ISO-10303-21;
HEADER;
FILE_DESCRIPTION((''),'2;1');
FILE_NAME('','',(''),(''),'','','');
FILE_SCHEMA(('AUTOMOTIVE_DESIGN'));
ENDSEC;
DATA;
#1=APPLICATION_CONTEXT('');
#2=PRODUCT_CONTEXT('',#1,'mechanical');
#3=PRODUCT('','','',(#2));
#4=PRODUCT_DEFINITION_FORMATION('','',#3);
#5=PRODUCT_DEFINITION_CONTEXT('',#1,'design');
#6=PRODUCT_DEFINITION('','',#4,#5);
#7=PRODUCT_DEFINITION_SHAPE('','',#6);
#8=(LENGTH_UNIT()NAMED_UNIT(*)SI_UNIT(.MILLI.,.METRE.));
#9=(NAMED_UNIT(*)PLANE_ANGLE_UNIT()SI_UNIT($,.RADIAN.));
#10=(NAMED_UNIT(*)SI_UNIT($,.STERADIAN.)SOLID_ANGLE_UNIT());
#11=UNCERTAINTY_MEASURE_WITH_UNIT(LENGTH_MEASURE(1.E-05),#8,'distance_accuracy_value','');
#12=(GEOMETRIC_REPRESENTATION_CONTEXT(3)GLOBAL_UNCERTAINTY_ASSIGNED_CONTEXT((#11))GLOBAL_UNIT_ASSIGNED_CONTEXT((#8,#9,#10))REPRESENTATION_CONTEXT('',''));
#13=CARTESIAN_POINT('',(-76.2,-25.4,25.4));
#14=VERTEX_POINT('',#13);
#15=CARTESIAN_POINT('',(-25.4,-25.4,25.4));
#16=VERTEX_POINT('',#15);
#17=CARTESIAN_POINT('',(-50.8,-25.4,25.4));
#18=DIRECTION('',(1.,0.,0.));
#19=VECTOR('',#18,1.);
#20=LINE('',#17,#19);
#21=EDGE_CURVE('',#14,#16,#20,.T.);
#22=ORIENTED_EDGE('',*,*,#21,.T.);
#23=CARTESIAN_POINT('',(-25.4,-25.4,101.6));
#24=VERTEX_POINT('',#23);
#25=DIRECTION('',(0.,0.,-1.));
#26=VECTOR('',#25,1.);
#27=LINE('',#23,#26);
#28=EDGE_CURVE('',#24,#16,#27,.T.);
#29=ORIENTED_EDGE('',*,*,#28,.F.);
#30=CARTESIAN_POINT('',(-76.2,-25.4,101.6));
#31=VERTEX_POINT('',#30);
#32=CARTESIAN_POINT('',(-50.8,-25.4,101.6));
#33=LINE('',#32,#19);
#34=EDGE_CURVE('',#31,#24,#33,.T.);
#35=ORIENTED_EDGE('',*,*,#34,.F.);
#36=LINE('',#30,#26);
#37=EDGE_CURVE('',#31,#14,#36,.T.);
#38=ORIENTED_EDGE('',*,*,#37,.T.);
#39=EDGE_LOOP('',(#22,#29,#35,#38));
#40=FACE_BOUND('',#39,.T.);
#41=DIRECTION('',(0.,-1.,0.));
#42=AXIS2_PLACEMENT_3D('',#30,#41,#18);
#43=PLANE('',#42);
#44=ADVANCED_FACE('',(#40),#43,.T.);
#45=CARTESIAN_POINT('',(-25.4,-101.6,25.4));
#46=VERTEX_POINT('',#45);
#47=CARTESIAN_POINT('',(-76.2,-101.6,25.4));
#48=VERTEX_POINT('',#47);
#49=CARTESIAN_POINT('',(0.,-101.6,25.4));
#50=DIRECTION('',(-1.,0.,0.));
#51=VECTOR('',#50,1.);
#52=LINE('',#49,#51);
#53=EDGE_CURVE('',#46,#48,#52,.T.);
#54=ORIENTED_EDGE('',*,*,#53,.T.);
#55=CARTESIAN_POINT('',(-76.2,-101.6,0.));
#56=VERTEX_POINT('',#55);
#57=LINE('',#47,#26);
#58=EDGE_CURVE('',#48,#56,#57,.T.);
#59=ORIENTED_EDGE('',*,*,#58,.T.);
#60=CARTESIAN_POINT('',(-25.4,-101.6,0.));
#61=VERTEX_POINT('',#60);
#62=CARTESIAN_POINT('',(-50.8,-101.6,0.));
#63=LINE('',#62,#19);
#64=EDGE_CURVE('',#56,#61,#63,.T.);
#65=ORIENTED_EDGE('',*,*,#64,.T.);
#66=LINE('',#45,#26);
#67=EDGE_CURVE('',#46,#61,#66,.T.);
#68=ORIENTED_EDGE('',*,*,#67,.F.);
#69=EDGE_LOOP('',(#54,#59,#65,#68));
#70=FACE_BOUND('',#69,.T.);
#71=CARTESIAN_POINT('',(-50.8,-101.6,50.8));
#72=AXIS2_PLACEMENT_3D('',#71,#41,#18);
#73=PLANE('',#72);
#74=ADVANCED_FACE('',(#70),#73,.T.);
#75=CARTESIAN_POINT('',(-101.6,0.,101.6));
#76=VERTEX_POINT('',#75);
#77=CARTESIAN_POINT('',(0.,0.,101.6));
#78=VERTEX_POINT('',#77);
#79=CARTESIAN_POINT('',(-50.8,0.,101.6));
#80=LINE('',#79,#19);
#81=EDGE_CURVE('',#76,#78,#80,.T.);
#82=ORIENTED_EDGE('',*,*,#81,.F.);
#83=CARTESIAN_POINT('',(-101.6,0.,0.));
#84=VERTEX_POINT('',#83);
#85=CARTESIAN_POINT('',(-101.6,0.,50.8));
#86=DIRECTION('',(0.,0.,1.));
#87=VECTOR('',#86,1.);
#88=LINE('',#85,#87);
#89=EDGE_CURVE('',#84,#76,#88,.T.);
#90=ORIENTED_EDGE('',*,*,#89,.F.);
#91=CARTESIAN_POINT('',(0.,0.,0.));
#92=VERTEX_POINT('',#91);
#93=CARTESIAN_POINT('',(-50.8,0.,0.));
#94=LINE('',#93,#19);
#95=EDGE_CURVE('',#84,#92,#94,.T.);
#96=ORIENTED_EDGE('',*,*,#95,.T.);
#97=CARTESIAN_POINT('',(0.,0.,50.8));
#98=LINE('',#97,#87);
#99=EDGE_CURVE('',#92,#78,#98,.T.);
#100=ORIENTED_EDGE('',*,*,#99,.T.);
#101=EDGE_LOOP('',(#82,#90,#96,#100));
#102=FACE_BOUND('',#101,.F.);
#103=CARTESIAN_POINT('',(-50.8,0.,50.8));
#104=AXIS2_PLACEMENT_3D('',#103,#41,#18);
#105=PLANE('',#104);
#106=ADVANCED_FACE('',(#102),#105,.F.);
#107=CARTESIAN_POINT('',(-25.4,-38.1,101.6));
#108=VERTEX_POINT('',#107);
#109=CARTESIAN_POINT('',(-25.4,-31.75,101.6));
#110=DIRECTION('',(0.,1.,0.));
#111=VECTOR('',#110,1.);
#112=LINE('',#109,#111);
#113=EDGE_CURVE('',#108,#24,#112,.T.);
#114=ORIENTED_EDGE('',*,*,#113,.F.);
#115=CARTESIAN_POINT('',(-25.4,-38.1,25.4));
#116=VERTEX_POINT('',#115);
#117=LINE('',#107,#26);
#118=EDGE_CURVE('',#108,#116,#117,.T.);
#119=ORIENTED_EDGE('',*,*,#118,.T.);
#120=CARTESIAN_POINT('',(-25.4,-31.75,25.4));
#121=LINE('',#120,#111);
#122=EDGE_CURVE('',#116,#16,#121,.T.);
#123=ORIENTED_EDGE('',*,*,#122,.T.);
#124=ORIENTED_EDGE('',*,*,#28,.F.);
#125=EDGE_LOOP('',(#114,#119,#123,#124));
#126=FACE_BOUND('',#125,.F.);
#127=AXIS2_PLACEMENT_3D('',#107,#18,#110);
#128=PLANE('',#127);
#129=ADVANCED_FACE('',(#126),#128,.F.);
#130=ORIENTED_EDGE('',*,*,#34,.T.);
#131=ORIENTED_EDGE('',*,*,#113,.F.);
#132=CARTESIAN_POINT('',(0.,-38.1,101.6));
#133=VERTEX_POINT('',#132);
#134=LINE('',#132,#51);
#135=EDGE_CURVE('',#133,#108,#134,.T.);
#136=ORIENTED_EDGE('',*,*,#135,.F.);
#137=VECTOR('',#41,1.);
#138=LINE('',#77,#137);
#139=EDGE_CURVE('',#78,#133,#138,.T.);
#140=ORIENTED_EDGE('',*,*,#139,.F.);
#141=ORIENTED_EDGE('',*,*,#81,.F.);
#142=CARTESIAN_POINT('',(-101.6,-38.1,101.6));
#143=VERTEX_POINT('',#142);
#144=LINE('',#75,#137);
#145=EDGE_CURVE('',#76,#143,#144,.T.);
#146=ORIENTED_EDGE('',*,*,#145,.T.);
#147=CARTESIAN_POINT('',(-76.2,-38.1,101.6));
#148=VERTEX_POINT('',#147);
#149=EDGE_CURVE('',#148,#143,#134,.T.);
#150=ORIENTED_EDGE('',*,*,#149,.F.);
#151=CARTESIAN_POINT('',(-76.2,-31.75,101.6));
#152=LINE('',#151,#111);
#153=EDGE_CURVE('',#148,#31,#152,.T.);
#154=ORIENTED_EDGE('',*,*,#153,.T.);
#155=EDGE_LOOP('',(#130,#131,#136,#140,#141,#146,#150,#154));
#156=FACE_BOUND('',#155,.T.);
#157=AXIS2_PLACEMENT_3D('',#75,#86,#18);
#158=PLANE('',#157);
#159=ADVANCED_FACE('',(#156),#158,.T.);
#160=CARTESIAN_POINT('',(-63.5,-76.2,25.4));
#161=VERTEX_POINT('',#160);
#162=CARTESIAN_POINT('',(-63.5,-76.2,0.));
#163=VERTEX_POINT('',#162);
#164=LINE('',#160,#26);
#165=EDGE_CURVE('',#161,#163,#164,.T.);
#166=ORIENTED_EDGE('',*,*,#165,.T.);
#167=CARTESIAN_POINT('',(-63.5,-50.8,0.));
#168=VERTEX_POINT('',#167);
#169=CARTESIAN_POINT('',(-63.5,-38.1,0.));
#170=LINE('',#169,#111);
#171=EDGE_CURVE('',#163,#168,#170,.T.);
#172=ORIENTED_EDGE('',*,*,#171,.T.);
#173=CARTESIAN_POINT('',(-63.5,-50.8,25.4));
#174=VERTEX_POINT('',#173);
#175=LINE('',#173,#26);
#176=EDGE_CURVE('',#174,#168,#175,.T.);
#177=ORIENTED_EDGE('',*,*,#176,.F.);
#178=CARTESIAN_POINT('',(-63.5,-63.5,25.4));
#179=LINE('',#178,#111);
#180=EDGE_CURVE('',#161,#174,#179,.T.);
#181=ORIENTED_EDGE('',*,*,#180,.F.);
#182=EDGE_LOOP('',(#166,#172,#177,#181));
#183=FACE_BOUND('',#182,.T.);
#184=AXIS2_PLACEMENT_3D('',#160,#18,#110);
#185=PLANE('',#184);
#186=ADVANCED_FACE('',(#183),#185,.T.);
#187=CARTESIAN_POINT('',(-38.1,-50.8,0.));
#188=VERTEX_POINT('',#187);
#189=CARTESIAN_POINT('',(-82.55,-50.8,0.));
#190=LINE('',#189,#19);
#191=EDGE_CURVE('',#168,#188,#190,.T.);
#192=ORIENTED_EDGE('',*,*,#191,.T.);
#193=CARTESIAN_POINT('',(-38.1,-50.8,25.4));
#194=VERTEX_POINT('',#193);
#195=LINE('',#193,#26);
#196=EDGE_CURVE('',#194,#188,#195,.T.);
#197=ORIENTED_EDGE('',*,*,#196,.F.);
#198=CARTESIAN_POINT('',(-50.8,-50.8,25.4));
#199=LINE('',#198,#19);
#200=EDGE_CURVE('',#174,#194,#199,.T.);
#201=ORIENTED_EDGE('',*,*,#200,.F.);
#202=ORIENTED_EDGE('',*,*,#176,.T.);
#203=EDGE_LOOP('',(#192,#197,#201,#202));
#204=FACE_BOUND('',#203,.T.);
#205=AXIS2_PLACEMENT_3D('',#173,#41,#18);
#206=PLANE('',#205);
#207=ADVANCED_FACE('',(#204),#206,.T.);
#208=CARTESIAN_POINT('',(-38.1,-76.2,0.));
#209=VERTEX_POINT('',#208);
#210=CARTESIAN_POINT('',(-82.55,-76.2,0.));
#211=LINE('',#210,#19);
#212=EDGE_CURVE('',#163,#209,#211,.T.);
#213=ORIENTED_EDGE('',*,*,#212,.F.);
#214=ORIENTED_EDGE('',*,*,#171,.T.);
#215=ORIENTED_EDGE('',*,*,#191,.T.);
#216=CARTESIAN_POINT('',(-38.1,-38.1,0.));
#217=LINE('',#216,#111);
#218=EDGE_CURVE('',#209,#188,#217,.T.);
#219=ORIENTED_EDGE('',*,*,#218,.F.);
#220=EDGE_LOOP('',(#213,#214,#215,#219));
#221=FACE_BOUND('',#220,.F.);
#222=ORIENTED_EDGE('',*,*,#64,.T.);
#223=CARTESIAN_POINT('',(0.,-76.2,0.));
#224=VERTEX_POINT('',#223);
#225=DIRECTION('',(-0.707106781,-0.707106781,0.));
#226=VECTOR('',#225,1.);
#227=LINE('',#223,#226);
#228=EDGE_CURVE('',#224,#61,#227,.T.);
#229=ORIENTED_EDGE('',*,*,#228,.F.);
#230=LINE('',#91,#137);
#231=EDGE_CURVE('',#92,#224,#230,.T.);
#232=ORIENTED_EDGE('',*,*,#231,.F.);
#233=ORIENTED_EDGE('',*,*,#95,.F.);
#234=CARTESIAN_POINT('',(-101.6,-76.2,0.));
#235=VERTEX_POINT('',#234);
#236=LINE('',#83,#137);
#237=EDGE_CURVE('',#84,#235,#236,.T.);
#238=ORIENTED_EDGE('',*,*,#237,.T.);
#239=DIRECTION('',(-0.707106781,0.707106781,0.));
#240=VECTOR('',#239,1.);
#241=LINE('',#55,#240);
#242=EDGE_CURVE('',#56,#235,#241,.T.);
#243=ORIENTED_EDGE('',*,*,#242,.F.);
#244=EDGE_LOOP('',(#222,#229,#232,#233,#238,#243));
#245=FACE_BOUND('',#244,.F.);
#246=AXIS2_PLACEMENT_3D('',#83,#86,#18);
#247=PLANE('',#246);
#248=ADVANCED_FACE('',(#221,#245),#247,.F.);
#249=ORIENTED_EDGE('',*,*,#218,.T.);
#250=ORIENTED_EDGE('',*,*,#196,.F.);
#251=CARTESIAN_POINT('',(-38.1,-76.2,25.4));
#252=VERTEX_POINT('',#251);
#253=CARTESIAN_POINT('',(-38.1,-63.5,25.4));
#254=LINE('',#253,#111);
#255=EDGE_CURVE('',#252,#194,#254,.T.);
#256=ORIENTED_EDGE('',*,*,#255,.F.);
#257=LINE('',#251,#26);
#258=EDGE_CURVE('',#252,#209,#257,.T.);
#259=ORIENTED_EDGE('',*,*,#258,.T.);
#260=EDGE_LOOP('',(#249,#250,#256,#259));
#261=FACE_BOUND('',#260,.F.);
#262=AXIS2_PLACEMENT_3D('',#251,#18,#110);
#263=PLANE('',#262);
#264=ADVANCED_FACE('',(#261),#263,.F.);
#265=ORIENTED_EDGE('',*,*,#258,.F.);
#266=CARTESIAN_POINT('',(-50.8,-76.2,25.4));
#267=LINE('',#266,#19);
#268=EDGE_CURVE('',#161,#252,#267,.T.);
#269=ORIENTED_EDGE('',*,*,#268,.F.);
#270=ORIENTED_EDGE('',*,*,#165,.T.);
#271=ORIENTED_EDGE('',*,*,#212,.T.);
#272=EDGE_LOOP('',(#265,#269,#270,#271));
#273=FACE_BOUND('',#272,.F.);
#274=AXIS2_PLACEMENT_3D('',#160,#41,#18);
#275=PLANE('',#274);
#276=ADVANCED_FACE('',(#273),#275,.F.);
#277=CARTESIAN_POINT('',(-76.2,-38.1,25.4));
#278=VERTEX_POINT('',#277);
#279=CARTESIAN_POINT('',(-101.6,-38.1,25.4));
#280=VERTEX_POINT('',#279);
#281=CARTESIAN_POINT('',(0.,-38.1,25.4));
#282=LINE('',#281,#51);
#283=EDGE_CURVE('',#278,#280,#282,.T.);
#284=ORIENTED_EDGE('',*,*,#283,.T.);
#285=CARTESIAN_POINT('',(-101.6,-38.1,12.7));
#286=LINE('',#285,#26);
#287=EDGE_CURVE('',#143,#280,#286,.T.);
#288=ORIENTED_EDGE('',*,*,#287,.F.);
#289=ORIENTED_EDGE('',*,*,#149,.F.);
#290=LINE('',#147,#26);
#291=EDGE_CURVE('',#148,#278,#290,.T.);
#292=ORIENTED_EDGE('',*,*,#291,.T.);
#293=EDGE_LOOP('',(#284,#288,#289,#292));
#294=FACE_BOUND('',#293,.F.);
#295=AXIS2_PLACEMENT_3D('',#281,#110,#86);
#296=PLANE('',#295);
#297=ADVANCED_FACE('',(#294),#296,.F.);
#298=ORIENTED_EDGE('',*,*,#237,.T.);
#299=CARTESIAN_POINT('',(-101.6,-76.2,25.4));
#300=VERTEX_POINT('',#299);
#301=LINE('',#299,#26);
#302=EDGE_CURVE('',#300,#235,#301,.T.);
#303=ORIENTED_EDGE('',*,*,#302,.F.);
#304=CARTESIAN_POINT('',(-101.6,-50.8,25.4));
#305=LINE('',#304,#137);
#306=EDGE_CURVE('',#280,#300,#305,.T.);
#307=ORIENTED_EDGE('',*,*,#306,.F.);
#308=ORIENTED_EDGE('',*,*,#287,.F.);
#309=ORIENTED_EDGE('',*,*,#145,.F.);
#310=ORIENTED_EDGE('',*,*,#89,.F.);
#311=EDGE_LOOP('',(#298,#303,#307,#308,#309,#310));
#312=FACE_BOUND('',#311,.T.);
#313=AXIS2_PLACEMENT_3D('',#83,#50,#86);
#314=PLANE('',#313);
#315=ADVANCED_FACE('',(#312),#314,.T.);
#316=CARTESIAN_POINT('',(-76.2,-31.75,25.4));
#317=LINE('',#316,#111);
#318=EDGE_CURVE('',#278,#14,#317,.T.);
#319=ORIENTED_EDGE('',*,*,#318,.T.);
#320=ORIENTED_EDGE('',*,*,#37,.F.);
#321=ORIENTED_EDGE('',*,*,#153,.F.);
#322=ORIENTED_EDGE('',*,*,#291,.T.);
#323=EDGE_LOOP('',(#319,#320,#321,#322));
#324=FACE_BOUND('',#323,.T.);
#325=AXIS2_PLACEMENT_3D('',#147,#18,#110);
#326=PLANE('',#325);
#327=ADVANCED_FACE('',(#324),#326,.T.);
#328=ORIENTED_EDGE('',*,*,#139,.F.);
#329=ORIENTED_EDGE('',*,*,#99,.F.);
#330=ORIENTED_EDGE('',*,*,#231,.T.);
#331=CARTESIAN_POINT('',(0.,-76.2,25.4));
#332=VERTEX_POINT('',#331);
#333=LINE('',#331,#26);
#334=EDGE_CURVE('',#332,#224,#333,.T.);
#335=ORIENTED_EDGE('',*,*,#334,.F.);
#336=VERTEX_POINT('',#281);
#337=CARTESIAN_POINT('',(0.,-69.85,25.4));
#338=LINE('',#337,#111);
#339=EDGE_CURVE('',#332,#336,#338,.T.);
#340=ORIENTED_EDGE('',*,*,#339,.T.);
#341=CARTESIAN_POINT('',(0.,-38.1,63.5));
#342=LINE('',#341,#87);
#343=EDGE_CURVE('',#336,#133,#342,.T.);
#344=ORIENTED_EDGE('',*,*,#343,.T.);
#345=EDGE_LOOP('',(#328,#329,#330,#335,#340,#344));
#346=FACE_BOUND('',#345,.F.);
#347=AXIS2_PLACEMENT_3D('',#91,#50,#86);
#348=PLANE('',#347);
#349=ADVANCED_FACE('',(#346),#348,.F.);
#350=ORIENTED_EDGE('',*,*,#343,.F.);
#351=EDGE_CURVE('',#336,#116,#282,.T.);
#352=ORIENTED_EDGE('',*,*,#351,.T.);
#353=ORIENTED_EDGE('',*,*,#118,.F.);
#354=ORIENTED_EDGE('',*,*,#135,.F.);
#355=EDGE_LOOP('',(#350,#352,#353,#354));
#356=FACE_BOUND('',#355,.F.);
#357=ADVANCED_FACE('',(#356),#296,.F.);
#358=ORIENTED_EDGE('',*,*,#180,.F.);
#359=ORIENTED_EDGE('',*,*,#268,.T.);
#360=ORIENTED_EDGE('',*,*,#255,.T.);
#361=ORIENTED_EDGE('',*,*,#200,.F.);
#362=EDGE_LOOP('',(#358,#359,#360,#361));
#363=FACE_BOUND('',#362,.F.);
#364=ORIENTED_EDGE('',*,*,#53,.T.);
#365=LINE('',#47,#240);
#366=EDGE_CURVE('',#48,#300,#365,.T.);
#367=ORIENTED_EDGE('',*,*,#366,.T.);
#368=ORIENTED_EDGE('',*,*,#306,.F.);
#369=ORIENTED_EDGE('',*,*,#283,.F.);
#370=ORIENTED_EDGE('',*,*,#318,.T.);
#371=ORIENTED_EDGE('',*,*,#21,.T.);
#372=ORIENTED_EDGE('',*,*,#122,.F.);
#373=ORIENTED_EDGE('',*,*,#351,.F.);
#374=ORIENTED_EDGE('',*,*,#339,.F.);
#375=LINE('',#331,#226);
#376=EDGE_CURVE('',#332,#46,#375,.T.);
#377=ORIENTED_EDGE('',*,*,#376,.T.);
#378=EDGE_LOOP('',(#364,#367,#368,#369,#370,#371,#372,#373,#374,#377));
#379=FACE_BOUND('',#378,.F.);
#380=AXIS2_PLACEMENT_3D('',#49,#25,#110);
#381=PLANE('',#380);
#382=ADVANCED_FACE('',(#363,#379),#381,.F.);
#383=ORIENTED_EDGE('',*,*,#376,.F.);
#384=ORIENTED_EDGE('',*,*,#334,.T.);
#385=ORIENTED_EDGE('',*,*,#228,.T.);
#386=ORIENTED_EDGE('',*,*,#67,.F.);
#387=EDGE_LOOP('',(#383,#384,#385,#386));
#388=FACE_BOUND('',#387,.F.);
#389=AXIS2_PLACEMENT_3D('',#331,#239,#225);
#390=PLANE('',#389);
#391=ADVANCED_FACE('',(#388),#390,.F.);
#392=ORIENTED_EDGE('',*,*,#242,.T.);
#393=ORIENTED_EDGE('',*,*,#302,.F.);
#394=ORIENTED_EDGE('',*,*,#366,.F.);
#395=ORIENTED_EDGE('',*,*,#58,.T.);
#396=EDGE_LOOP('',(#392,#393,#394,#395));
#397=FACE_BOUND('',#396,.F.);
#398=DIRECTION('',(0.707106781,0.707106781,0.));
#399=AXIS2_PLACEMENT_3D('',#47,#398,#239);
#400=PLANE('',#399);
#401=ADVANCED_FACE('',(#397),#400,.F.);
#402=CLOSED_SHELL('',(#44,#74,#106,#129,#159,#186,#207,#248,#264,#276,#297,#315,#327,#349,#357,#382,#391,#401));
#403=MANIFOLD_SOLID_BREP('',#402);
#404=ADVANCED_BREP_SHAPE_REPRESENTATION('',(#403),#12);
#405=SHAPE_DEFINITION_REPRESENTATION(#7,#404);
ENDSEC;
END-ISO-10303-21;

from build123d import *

# Parameters (mm, degrees)
F0_W      = 101.6
F0_H      = 101.6
F1_DEPTH  = 101.6
F2_W      = 63.5
F2_H      = 76.2
F3_DEPTH  = 127
F5_DEPTH  = 25.4
F7_DEPTH  = 25.4
F8_W      = 50.8
F8_H      = 12.7
F9_DEPTH  = 76.2
F10_W     = 25.4
F10_H     = 25.4
F11_DEPTH = 127


with BuildPart() as f1:
    # F0 (on Front) → F1 (new body)
    with BuildSketch(Plane.XZ):
        with Locations((-50.8, 50.8)):
            Rectangle(F0_W, F0_H)
    extrude(amount=F1_DEPTH)

    # F2 (on face) → F3 (cut)
    with BuildSketch(Plane.YZ):
        with Locations((-69.85, 63.5)):
            Rectangle(F2_W, F2_H)
    extrude(amount=-F3_DEPTH, mode=Mode.SUBTRACT)

    # F4 (on face) → F5 (cut)
    with BuildSketch(Plane.XY.offset(25.4)):
        Polygon((-25.4, -101.6), (0, -101.6), (0, -76.2), align=None)
    extrude(amount=-F5_DEPTH, mode=Mode.SUBTRACT)

    # F6 (on face) → F7 (cut)
    with BuildSketch(Plane.XY.offset(25.4)):
        Polygon((-101.6, -76.2), (-101.6, -101.6), (-76.2, -101.6), align=None)
    extrude(amount=-F7_DEPTH, mode=Mode.SUBTRACT)

    # F8 (on face) → F9 (cut)
    with BuildSketch(Plane.XY.offset(101.6)):
        with Locations((-50.8, -31.75)):
            Rectangle(F8_W, F8_H)
    extrude(amount=-F9_DEPTH, mode=Mode.SUBTRACT)

    # F10 (on face) → F11 (cut)
    with BuildSketch(Plane.XY.offset(25.4)):
        with Locations((-50.8, -63.5)):
            Rectangle(F10_W, F10_H)
    extrude(amount=-F11_DEPTH, mode=Mode.SUBTRACT)


solid = f1.part
